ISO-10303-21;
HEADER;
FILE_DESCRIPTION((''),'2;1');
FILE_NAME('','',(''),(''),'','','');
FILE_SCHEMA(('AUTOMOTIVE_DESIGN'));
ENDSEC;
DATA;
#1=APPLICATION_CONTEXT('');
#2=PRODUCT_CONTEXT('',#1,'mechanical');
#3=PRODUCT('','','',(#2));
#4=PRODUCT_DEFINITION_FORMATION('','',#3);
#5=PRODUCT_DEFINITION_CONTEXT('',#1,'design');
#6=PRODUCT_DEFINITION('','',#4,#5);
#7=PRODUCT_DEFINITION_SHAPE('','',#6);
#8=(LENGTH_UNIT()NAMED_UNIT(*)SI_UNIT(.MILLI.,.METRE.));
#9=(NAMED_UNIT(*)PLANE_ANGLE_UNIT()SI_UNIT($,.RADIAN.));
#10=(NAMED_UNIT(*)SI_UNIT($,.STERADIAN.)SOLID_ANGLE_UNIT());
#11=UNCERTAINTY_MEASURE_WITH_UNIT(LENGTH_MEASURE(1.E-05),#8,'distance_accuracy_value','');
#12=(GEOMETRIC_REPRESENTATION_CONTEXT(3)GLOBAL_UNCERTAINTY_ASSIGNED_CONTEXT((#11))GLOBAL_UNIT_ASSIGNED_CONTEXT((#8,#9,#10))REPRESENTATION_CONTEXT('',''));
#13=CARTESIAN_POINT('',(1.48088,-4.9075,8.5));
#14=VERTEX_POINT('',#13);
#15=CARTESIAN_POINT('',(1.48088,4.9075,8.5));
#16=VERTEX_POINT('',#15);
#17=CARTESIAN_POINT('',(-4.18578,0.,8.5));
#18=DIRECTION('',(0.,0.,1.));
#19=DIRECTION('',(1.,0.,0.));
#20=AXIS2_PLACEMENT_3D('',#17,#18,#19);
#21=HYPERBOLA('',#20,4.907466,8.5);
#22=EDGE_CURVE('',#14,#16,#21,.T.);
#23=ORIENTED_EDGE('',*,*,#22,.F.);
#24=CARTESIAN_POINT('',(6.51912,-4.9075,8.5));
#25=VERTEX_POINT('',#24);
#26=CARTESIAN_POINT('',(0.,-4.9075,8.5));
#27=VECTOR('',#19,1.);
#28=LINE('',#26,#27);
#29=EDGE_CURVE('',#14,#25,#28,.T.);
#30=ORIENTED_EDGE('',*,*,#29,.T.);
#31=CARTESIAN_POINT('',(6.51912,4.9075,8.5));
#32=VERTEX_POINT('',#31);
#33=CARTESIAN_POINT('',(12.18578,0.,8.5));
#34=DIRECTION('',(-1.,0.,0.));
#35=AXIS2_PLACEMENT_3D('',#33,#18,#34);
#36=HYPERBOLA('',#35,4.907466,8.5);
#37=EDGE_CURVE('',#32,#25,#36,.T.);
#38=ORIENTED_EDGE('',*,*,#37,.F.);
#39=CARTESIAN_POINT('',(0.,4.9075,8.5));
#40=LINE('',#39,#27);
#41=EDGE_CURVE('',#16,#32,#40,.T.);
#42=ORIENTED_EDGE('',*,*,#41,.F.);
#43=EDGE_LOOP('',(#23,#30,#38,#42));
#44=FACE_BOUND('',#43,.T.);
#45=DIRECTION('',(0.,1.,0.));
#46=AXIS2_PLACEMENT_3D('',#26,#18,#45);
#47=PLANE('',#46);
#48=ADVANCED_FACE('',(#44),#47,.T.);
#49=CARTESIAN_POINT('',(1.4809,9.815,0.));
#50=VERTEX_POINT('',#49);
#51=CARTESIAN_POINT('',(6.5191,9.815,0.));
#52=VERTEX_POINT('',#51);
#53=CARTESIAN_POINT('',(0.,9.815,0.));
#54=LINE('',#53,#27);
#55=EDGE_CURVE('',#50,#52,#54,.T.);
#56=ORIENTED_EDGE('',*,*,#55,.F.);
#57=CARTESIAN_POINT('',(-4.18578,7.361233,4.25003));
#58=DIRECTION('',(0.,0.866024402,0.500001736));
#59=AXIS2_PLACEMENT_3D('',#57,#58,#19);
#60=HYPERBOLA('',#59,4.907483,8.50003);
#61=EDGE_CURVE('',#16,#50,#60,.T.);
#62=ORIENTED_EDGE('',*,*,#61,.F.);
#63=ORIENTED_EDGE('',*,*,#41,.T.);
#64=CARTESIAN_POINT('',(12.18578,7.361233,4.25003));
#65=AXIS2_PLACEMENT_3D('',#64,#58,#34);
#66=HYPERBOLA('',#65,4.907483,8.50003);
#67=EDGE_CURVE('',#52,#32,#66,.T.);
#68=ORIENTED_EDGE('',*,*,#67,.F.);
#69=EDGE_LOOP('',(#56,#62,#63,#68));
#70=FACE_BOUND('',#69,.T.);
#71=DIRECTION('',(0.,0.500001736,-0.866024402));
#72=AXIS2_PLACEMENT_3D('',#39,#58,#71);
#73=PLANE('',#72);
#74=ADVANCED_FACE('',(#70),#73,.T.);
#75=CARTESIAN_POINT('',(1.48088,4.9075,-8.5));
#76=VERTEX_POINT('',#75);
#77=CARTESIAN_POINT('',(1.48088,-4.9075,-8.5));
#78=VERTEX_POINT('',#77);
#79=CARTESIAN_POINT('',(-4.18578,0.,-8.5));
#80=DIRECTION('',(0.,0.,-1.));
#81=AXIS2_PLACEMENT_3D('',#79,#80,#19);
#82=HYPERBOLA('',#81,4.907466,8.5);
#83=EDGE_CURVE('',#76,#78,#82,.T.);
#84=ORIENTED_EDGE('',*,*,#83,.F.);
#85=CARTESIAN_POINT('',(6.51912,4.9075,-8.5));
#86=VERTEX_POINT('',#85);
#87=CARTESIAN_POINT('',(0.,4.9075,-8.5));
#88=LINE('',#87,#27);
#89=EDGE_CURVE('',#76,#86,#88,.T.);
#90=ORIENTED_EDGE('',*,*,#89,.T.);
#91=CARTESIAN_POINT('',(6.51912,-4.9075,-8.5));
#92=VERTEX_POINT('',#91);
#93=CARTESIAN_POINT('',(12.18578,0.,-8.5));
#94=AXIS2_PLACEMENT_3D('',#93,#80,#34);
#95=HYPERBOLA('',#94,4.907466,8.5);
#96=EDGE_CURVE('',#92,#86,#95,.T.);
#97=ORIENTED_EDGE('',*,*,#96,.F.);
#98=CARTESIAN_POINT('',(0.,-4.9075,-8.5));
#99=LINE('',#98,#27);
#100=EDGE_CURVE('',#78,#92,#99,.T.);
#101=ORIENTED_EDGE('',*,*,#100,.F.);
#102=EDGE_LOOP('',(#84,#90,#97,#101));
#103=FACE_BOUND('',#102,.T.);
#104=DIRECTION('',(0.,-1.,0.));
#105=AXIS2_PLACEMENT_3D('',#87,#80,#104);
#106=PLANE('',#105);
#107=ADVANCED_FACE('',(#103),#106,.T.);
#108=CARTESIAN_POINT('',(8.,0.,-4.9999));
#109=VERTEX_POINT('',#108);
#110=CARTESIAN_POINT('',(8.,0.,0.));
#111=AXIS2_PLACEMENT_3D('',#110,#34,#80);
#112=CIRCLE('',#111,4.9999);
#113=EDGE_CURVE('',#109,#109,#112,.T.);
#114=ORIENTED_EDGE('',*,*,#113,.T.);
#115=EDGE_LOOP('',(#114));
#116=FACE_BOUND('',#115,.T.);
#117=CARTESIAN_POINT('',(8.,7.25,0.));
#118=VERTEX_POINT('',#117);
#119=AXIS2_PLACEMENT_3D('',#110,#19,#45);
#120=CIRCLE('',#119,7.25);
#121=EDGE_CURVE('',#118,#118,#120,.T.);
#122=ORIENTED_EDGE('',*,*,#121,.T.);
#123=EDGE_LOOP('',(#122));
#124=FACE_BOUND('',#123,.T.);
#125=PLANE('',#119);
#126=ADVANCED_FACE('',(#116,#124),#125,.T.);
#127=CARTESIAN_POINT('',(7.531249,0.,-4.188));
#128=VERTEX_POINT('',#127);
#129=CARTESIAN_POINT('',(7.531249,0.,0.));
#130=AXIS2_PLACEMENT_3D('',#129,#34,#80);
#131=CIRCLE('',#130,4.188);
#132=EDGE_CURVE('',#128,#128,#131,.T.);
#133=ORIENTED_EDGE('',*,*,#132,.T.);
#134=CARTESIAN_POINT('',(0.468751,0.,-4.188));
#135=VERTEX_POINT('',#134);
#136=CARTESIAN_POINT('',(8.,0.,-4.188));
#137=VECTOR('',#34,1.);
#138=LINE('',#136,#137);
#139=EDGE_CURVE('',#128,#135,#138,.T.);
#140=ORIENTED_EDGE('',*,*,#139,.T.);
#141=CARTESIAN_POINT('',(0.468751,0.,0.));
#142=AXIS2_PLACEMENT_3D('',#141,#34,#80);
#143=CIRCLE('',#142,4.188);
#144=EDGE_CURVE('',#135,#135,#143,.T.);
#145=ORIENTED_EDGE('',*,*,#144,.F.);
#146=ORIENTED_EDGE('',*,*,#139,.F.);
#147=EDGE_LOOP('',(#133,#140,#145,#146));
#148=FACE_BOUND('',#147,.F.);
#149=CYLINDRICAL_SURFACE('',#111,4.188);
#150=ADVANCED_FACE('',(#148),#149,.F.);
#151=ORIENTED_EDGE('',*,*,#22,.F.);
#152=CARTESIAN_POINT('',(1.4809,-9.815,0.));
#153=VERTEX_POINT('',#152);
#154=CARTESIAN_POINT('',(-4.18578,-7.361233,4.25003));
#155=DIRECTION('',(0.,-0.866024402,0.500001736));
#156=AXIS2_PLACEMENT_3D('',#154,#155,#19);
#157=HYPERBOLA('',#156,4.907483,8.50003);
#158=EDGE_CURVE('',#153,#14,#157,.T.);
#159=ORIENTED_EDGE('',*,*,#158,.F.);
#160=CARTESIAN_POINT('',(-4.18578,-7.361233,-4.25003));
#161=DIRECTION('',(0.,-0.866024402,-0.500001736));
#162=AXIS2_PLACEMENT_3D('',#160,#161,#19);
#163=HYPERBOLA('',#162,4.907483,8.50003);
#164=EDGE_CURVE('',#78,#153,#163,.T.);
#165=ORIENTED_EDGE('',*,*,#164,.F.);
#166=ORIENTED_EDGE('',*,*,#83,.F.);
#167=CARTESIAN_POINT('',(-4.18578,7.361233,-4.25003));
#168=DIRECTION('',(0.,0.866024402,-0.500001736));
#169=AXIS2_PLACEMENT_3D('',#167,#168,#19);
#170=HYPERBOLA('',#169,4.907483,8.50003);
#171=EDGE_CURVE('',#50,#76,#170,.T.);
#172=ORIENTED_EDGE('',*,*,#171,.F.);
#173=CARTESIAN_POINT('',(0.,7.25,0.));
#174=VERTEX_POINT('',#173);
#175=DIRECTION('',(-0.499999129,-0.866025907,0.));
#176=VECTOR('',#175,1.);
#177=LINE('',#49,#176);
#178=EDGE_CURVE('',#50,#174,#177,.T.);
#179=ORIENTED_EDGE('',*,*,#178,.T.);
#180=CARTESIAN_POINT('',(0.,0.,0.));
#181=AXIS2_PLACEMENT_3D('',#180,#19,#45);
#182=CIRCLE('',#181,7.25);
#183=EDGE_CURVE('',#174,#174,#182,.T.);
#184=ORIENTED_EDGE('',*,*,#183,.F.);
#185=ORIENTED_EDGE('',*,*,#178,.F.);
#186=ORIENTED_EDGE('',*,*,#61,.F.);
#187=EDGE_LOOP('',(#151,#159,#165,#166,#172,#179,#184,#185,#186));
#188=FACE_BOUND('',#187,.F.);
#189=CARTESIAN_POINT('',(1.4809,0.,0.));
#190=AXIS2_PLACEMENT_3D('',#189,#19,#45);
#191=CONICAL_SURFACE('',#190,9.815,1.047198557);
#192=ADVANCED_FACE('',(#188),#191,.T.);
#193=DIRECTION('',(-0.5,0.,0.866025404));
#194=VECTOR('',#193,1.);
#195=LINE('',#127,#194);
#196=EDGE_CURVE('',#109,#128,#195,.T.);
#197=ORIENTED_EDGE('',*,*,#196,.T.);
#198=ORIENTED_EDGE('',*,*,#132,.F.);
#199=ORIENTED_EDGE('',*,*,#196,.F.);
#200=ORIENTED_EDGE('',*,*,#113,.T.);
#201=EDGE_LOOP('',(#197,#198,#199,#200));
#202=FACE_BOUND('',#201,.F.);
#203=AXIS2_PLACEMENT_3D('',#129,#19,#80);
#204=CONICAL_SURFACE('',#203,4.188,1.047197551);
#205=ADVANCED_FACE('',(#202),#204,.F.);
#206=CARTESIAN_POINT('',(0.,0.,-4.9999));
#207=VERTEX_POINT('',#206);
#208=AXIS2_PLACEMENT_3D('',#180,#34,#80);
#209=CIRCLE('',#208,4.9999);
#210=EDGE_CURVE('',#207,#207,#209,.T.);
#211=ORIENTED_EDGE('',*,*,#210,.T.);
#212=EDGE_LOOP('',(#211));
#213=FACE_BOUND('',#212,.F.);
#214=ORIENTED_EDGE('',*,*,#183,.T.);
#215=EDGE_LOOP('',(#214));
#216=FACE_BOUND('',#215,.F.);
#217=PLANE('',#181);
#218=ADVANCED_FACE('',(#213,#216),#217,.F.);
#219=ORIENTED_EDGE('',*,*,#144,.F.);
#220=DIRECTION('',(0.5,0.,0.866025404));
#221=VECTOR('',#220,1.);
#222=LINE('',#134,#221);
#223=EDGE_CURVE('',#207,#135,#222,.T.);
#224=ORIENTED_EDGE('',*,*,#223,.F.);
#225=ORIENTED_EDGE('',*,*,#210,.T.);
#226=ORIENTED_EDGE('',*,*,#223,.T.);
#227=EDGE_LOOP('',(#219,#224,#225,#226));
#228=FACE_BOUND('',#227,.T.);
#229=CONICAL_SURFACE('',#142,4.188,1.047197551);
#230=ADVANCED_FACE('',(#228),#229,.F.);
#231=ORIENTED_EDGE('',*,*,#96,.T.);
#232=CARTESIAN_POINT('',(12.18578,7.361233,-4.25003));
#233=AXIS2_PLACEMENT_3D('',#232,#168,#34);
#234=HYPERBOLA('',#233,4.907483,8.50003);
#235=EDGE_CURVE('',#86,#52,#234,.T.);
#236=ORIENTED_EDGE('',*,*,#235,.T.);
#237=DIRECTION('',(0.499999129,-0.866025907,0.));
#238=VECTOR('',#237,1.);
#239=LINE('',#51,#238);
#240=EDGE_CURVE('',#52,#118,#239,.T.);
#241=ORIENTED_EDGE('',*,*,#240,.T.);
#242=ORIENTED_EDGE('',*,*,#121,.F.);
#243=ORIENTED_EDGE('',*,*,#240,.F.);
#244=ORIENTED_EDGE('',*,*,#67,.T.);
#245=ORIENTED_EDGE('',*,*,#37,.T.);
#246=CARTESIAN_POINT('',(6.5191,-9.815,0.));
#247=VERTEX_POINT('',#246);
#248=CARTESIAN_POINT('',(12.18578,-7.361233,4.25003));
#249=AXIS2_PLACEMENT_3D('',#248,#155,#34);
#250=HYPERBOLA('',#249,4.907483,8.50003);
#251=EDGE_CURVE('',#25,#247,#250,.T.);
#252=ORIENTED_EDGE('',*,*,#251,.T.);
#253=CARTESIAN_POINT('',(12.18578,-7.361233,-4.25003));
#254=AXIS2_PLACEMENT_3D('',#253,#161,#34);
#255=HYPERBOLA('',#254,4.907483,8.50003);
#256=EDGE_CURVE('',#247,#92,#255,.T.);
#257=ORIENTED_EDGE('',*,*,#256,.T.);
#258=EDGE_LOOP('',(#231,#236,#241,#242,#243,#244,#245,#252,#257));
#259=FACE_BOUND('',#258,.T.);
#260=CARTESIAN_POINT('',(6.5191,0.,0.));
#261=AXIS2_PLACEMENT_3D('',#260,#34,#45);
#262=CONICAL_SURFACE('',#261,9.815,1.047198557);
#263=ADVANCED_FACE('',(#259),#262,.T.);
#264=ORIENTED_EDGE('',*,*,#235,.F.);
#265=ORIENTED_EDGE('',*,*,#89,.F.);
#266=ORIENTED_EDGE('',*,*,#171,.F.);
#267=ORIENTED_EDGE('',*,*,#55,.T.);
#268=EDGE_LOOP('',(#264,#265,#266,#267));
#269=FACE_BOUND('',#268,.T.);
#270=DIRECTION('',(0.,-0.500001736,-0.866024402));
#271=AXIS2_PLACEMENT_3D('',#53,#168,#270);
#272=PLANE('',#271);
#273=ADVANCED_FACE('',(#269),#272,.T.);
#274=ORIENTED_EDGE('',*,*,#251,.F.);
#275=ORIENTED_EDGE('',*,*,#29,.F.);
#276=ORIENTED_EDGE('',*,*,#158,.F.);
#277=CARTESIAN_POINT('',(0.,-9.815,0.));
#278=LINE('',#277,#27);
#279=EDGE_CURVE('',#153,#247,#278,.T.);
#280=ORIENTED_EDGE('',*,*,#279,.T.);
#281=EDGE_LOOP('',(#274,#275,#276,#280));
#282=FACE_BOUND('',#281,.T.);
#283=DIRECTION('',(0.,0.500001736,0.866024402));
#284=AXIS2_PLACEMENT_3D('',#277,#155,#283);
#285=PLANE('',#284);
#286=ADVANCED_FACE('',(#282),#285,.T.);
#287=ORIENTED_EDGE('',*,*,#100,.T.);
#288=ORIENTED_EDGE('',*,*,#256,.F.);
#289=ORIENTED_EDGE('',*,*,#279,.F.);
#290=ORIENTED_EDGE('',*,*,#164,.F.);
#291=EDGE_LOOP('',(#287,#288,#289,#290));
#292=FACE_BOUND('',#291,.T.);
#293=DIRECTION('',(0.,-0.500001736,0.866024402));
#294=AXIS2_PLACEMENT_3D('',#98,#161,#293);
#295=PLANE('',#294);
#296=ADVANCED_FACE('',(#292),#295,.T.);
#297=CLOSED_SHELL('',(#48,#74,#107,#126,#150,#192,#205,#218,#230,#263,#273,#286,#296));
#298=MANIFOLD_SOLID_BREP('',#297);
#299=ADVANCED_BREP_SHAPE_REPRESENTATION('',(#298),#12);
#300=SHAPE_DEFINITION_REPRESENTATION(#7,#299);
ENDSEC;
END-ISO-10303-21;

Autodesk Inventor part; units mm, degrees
ref_plane "YZ Plane" through (0, 0, 0) normal (1, 0, 0) x (0, 1, 0)
ref_plane "XZ Plane" through (0, 0, 0) normal (0, 1, 0) x (-1, 0, 0)
sketch "Sketch1" plane through (0, 0, 0) normal (1, 0, 0) x (0, 1, 0)
  line L0 (-9.815, 0) -> (-4.9075, 8.5)
  line L1 (-4.9075, 8.5) -> (4.9075, 8.5)
  line L2 (4.9075, 8.5) -> (9.815, 0)
  line L3 (9.815, 0) -> (4.9075, -8.5)
  line L4 (4.9075, -8.5) -> (-4.9075, -8.5)
  line L5 (-4.9075, -8.5) -> (-9.815, 0)
  point P0 (0, 0)
  point P1 (0, 0)
  dimension "d0" = 19.6299
extrude "Body" add sketch "Sketch1" along normal blind 8
sketch "Sketch2" plane through (0, 0, 0) normal (0, 0, 1) x (1, 0, 0)
  line L0 (0, 4.9075) -> (0, 9.815) projected
  line L1 (0, 9.815) -> (8, 9.815) projected
  line L2 (8, 4.9075) -> (8, 9.815) projected
  line L3 (-1.6, 0) -> (9.6, 0) projected
  line L4 (1.4809, 9.815) -> (0, 7.25)
  line L5 (6.5191, 9.815) -> (8, 7.25)
  dimension "d3" = 30
  dimension "d4" = 30
  dimension "d5" = 14.5
  dimension "d6" = 14.5
revolve "Chamfer1" cut sketch "Sketch2" angle 360 about axis through (-10, 0, 0) along (1, 0, 0)
sketch "Sketch3" plane through (8, 0, 0) normal (1, 0, 0) x (0, 0, -1)
  arc A0 (-0.625, -1.0825) -> (0.625, -1.0825) centre (0, 0) ccw projected
hole "Thread" at (8, 0, 0) direction (-1, 0, 0) diameter 8.376 end through all thread size "M10x1.5" class "6H" standard "ISO Metric profile"
chamfer "Chamfer2" distance 0.8119 angle 30 1 edges at (8, 0, 4.188) measured on face at (8, 6.1489, -0.7466)
chamfer "Chamfer3" distance 0.8119 angle 30 1 edges at (0, 0, 4.188) measured on face at (0, 6.1489, -0.7466)
ref_plane "Work Plane1" through (-19.1723, 0, 0) normal (0, -0.866, -0.5) x (1, 0, 0)
equation "\"d0\" = 1.1547 * SW"
equation "\"d1\" = KOH"
equation "\"d3\" = ANG1"
equation "\"d4\" = ANG2"
equation "\"d5\" = SW0"
equation "\"d6\" = SW01"
equation "\"d8\" = -0.5 * GD1 + 0.5 * NND"
equation "\"d40\" = -0.5 * GD1 + 0.5 * NND"
equation "\"d10\" = -0.5 * GD1 + 0.5 * NND"
equation "\"d41\" = -0.5 * GD1 + 0.5 * NND"
equation "\"ANG1\" = 30deg"
equation "\"ANG2\" = 30deg"
equation "\"KOH\" = 8"
equation "\"SW\" = 17"
equation "\"SW0\" = 14.5"
equation "\"SW01\" = 14.5"
equation "\"GUL\" = 0.541266 * PTC"
equation "\"TOA\" = 30deg"
equation "\"PTC\" = 1.5"
equation "\"E0\" = 1.155 * SW"
equation "\"GAL\" = 0.541266 * PTC"
equation "\"GD1\" = 8.376202"
equation "\"NND\" = 10"
properties part number "DIN 555-5 - M10" material "Steel, Mild"
